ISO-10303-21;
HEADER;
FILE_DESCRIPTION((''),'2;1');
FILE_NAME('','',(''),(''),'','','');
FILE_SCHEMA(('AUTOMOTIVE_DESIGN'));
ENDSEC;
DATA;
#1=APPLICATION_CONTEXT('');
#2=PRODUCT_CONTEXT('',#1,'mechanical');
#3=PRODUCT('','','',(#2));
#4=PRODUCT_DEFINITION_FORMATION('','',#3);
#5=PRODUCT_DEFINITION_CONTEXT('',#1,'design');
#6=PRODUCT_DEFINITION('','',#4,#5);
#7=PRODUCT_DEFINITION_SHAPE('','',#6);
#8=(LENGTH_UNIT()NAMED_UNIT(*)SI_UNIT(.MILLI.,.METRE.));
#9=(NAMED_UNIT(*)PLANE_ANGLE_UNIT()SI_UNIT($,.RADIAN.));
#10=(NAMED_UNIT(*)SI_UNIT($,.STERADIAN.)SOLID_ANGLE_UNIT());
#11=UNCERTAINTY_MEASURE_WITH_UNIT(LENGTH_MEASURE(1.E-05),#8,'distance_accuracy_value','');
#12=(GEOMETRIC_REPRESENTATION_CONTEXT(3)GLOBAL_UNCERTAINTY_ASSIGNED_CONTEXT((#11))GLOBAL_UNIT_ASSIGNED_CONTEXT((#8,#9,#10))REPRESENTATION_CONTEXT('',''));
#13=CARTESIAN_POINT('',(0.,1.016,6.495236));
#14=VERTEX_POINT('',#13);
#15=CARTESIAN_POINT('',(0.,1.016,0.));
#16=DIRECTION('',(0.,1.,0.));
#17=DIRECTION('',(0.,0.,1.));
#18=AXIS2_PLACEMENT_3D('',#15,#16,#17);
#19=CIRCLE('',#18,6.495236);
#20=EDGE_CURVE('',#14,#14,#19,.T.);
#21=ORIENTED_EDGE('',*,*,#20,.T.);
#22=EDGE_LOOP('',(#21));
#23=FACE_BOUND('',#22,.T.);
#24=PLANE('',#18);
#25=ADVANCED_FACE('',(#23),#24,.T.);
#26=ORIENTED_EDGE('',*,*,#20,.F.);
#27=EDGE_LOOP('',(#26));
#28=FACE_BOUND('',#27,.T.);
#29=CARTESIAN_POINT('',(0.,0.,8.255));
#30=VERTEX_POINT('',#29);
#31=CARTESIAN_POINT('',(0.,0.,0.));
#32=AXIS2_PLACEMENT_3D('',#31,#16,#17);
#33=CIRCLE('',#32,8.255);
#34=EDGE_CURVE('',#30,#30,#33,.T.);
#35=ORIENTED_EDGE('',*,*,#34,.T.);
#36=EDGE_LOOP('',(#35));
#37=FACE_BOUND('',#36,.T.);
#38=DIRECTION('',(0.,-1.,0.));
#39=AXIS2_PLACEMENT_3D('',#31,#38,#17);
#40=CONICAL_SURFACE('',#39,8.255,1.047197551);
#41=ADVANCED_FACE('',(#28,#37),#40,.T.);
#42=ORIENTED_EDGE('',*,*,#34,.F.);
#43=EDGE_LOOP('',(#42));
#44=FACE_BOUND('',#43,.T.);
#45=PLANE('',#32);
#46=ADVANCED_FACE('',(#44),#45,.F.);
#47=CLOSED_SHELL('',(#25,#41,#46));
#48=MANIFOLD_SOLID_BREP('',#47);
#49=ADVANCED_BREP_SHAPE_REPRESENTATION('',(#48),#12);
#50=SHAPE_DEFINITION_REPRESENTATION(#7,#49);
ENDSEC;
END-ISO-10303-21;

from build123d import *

# Parameters (mm, degrees)
SKETCH1_R           = 8.255
BOSS_EXTRUDE1_DEPTH = 1.016
BOSS_EXTRUDE1_TAPER = 60


with BuildPart() as part:
    # Sketch1 → Boss-Extrude1 (new body)
    with BuildSketch(Plane(origin=(0, 0, 0), x_dir=(1, 0, 0), z_dir=(0, 1, 0))):
        Circle(SKETCH1_R)
    extrude(amount=BOSS_EXTRUDE1_DEPTH, taper=BOSS_EXTRUDE1_TAPER)


solid = part.part
